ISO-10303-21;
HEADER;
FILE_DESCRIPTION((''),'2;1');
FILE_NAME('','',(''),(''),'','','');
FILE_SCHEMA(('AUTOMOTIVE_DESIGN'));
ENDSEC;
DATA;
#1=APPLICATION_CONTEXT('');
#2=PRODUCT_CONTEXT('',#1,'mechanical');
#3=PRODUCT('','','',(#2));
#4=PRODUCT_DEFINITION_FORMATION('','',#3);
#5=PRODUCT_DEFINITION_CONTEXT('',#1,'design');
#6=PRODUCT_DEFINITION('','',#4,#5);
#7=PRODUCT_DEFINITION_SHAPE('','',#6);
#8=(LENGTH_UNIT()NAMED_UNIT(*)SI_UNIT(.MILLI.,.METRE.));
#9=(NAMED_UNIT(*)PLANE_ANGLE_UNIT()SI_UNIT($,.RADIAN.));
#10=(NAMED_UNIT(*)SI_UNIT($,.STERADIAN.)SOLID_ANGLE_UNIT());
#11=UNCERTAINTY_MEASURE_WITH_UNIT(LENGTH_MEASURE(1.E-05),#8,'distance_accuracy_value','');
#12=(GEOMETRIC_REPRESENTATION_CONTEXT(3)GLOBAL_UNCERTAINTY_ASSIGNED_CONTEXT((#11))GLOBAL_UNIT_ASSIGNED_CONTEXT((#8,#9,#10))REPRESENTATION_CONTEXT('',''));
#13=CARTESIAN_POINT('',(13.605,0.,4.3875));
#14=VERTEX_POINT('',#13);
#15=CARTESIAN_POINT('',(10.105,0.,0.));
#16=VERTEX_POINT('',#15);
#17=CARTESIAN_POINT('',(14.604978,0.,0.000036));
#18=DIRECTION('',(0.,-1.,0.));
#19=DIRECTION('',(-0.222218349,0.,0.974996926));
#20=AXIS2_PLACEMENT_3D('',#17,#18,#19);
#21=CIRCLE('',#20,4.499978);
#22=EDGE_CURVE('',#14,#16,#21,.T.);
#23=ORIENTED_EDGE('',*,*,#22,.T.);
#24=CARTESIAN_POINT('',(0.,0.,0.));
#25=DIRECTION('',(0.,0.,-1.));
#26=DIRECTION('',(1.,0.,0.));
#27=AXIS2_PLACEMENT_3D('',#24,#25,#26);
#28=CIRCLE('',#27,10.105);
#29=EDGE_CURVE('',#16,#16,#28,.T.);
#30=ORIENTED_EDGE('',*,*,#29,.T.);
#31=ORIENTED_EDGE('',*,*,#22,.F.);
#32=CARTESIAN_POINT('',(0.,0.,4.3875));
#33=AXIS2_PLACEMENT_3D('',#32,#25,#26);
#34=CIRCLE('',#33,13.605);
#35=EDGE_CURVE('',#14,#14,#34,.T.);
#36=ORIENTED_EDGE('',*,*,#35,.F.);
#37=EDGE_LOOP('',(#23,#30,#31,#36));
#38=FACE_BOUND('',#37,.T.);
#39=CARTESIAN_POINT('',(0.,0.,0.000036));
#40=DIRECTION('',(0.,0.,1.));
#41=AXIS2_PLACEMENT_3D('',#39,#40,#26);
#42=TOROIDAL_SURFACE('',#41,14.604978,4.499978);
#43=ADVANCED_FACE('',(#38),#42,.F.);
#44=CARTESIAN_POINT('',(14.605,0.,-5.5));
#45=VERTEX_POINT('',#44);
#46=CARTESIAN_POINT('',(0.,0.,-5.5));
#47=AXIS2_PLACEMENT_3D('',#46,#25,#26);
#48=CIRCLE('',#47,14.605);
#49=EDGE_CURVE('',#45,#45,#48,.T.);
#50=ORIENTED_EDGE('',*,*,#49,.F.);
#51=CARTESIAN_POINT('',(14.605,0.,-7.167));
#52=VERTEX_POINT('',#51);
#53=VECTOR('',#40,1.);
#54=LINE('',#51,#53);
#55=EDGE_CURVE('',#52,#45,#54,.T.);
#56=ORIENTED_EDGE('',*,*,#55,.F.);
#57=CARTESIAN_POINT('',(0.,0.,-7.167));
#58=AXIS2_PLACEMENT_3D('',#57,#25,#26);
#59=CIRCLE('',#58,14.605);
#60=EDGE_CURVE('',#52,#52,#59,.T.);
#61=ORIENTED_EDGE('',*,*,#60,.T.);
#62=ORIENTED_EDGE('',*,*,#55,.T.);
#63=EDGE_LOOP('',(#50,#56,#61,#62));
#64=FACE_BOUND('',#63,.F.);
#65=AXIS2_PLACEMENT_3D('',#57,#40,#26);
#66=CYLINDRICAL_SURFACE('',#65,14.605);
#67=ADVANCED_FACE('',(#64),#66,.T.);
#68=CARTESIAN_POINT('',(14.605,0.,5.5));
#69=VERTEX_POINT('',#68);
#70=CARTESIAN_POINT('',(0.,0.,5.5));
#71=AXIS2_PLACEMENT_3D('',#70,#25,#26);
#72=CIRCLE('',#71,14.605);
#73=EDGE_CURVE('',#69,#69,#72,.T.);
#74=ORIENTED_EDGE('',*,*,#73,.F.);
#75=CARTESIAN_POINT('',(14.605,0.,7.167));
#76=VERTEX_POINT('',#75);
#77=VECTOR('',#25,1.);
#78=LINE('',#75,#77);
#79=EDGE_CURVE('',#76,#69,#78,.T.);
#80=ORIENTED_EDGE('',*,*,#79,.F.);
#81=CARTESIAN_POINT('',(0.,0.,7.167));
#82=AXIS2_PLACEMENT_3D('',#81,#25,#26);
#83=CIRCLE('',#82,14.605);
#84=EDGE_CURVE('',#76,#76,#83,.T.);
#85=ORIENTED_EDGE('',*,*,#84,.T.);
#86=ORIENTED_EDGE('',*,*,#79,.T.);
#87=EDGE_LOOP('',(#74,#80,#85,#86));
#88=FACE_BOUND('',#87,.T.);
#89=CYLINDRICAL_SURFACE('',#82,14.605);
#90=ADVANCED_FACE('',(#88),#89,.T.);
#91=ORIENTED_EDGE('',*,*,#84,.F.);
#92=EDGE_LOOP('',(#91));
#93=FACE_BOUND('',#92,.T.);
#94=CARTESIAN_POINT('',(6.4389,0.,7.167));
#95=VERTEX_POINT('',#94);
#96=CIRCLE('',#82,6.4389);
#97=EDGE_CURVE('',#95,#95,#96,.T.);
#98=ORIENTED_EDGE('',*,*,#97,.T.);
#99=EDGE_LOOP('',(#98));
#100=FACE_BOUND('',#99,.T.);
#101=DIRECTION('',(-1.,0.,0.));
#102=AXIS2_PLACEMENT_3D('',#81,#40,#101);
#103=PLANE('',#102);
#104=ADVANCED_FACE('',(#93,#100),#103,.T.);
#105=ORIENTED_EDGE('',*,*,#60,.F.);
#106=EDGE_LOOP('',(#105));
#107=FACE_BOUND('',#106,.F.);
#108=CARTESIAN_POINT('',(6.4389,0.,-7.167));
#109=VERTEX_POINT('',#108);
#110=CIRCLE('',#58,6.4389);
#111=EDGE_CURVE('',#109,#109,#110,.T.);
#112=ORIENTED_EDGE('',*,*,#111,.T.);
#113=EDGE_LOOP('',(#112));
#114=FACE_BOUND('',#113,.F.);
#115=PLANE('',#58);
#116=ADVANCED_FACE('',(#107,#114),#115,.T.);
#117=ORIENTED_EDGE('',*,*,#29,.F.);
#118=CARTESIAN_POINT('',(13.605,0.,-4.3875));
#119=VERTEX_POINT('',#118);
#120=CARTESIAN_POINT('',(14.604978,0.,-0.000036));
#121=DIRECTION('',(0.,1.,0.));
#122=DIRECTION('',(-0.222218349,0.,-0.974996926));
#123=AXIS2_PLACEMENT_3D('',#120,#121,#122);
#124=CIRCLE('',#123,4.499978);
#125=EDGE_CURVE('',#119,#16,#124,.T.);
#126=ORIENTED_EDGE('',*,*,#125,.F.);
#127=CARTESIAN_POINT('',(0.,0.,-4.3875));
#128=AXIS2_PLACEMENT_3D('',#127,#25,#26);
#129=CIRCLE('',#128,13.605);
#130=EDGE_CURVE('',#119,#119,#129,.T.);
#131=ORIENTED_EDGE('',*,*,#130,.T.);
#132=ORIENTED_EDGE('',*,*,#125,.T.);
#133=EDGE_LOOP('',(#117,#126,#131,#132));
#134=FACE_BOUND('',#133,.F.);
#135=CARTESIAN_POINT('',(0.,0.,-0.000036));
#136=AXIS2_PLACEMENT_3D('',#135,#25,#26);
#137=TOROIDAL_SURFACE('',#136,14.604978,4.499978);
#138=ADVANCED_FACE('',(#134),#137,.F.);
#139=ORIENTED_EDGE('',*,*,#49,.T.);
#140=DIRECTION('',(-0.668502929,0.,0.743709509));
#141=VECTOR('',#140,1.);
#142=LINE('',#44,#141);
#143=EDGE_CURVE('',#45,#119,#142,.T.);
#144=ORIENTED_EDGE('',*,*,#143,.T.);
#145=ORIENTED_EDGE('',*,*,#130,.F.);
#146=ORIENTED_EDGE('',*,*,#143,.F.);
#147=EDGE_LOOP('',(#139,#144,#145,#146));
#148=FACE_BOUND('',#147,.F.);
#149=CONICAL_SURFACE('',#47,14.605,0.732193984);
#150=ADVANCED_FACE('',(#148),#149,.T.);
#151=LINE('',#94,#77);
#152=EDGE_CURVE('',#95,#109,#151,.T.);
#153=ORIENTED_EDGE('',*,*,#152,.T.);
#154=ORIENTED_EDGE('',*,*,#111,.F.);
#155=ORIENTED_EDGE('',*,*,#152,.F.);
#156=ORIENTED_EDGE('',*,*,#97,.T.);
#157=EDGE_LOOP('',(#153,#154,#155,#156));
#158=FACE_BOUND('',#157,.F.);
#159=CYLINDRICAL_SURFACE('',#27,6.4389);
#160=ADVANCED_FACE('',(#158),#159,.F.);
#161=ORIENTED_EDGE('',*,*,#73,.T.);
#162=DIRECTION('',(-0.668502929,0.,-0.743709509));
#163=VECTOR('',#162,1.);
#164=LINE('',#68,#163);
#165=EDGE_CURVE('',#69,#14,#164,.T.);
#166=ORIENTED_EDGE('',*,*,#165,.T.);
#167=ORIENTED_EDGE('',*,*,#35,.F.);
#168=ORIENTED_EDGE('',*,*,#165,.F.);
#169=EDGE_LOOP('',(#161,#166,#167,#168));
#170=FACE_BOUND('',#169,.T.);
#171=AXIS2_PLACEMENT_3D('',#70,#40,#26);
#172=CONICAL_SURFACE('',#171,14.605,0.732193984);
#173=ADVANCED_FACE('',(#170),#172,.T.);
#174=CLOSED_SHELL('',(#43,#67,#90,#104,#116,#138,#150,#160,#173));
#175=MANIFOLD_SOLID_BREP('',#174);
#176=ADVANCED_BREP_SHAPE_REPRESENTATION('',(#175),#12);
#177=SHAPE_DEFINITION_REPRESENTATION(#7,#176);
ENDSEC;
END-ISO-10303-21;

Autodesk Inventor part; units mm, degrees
ref_plane "YZ Plane" through (0, 0, 0) normal (1, 0, 0) x (0, 1, 0)
ref_plane "XZ Plane" through (0, 0, 0) normal (0, 1, 0) x (-1, 0, 0)
ref_plane "XY Plane" through (0, 0, 0) normal (0, 0, 1) x (1, 0, 0)
sketch "Sketch1" plane through (0, 0, 0) normal (0, 1, 0) x (-1, 0, 0)
  line L0 (-6.4389, 0) -> (-6.4389, -7.167)
  line L1 (-14.605, -5.5) -> (-13.605, -4.3875)
  line L2 (-14.605, -7.167) -> (-14.605, -5.5)
  line L3 (-6.4389, -7.167) -> (-14.605, -7.167)
  line L4 (-6.4389, 0) -> (-6.4389, -7.167)
  arc A0 (-13.605, -4.3875) -> (-10.105, 0) centre (-14.605, 0) ccw
  line L5 (0, 7.167) -> (0, -7.167)
  line L6 (-10.105, 0) -> (-6.4389, 0)
  point P0 (0, 0)
  point P1 (0, 0)
  dimension "d0" = 12.8778
  dimension "d1" = 29.21
  dimension "d2" = 1.667
  dimension "d3" = 4.5
  dimension "d6" = 8.1661
  dimension "d7" = 1
  dimension "d8" = 11
revolve "Revolution1" add sketch "Sketch1" angle 360 about axis through (0, 0, 7.167) along (0, 0, -1)
mirror "Mirror1" about plane through (10.105, 0, 0) normal (0, 0, 1)
properties part number "TTB 4mm Dyneema Cable Pulley" material "Acetal Resin, Black"
